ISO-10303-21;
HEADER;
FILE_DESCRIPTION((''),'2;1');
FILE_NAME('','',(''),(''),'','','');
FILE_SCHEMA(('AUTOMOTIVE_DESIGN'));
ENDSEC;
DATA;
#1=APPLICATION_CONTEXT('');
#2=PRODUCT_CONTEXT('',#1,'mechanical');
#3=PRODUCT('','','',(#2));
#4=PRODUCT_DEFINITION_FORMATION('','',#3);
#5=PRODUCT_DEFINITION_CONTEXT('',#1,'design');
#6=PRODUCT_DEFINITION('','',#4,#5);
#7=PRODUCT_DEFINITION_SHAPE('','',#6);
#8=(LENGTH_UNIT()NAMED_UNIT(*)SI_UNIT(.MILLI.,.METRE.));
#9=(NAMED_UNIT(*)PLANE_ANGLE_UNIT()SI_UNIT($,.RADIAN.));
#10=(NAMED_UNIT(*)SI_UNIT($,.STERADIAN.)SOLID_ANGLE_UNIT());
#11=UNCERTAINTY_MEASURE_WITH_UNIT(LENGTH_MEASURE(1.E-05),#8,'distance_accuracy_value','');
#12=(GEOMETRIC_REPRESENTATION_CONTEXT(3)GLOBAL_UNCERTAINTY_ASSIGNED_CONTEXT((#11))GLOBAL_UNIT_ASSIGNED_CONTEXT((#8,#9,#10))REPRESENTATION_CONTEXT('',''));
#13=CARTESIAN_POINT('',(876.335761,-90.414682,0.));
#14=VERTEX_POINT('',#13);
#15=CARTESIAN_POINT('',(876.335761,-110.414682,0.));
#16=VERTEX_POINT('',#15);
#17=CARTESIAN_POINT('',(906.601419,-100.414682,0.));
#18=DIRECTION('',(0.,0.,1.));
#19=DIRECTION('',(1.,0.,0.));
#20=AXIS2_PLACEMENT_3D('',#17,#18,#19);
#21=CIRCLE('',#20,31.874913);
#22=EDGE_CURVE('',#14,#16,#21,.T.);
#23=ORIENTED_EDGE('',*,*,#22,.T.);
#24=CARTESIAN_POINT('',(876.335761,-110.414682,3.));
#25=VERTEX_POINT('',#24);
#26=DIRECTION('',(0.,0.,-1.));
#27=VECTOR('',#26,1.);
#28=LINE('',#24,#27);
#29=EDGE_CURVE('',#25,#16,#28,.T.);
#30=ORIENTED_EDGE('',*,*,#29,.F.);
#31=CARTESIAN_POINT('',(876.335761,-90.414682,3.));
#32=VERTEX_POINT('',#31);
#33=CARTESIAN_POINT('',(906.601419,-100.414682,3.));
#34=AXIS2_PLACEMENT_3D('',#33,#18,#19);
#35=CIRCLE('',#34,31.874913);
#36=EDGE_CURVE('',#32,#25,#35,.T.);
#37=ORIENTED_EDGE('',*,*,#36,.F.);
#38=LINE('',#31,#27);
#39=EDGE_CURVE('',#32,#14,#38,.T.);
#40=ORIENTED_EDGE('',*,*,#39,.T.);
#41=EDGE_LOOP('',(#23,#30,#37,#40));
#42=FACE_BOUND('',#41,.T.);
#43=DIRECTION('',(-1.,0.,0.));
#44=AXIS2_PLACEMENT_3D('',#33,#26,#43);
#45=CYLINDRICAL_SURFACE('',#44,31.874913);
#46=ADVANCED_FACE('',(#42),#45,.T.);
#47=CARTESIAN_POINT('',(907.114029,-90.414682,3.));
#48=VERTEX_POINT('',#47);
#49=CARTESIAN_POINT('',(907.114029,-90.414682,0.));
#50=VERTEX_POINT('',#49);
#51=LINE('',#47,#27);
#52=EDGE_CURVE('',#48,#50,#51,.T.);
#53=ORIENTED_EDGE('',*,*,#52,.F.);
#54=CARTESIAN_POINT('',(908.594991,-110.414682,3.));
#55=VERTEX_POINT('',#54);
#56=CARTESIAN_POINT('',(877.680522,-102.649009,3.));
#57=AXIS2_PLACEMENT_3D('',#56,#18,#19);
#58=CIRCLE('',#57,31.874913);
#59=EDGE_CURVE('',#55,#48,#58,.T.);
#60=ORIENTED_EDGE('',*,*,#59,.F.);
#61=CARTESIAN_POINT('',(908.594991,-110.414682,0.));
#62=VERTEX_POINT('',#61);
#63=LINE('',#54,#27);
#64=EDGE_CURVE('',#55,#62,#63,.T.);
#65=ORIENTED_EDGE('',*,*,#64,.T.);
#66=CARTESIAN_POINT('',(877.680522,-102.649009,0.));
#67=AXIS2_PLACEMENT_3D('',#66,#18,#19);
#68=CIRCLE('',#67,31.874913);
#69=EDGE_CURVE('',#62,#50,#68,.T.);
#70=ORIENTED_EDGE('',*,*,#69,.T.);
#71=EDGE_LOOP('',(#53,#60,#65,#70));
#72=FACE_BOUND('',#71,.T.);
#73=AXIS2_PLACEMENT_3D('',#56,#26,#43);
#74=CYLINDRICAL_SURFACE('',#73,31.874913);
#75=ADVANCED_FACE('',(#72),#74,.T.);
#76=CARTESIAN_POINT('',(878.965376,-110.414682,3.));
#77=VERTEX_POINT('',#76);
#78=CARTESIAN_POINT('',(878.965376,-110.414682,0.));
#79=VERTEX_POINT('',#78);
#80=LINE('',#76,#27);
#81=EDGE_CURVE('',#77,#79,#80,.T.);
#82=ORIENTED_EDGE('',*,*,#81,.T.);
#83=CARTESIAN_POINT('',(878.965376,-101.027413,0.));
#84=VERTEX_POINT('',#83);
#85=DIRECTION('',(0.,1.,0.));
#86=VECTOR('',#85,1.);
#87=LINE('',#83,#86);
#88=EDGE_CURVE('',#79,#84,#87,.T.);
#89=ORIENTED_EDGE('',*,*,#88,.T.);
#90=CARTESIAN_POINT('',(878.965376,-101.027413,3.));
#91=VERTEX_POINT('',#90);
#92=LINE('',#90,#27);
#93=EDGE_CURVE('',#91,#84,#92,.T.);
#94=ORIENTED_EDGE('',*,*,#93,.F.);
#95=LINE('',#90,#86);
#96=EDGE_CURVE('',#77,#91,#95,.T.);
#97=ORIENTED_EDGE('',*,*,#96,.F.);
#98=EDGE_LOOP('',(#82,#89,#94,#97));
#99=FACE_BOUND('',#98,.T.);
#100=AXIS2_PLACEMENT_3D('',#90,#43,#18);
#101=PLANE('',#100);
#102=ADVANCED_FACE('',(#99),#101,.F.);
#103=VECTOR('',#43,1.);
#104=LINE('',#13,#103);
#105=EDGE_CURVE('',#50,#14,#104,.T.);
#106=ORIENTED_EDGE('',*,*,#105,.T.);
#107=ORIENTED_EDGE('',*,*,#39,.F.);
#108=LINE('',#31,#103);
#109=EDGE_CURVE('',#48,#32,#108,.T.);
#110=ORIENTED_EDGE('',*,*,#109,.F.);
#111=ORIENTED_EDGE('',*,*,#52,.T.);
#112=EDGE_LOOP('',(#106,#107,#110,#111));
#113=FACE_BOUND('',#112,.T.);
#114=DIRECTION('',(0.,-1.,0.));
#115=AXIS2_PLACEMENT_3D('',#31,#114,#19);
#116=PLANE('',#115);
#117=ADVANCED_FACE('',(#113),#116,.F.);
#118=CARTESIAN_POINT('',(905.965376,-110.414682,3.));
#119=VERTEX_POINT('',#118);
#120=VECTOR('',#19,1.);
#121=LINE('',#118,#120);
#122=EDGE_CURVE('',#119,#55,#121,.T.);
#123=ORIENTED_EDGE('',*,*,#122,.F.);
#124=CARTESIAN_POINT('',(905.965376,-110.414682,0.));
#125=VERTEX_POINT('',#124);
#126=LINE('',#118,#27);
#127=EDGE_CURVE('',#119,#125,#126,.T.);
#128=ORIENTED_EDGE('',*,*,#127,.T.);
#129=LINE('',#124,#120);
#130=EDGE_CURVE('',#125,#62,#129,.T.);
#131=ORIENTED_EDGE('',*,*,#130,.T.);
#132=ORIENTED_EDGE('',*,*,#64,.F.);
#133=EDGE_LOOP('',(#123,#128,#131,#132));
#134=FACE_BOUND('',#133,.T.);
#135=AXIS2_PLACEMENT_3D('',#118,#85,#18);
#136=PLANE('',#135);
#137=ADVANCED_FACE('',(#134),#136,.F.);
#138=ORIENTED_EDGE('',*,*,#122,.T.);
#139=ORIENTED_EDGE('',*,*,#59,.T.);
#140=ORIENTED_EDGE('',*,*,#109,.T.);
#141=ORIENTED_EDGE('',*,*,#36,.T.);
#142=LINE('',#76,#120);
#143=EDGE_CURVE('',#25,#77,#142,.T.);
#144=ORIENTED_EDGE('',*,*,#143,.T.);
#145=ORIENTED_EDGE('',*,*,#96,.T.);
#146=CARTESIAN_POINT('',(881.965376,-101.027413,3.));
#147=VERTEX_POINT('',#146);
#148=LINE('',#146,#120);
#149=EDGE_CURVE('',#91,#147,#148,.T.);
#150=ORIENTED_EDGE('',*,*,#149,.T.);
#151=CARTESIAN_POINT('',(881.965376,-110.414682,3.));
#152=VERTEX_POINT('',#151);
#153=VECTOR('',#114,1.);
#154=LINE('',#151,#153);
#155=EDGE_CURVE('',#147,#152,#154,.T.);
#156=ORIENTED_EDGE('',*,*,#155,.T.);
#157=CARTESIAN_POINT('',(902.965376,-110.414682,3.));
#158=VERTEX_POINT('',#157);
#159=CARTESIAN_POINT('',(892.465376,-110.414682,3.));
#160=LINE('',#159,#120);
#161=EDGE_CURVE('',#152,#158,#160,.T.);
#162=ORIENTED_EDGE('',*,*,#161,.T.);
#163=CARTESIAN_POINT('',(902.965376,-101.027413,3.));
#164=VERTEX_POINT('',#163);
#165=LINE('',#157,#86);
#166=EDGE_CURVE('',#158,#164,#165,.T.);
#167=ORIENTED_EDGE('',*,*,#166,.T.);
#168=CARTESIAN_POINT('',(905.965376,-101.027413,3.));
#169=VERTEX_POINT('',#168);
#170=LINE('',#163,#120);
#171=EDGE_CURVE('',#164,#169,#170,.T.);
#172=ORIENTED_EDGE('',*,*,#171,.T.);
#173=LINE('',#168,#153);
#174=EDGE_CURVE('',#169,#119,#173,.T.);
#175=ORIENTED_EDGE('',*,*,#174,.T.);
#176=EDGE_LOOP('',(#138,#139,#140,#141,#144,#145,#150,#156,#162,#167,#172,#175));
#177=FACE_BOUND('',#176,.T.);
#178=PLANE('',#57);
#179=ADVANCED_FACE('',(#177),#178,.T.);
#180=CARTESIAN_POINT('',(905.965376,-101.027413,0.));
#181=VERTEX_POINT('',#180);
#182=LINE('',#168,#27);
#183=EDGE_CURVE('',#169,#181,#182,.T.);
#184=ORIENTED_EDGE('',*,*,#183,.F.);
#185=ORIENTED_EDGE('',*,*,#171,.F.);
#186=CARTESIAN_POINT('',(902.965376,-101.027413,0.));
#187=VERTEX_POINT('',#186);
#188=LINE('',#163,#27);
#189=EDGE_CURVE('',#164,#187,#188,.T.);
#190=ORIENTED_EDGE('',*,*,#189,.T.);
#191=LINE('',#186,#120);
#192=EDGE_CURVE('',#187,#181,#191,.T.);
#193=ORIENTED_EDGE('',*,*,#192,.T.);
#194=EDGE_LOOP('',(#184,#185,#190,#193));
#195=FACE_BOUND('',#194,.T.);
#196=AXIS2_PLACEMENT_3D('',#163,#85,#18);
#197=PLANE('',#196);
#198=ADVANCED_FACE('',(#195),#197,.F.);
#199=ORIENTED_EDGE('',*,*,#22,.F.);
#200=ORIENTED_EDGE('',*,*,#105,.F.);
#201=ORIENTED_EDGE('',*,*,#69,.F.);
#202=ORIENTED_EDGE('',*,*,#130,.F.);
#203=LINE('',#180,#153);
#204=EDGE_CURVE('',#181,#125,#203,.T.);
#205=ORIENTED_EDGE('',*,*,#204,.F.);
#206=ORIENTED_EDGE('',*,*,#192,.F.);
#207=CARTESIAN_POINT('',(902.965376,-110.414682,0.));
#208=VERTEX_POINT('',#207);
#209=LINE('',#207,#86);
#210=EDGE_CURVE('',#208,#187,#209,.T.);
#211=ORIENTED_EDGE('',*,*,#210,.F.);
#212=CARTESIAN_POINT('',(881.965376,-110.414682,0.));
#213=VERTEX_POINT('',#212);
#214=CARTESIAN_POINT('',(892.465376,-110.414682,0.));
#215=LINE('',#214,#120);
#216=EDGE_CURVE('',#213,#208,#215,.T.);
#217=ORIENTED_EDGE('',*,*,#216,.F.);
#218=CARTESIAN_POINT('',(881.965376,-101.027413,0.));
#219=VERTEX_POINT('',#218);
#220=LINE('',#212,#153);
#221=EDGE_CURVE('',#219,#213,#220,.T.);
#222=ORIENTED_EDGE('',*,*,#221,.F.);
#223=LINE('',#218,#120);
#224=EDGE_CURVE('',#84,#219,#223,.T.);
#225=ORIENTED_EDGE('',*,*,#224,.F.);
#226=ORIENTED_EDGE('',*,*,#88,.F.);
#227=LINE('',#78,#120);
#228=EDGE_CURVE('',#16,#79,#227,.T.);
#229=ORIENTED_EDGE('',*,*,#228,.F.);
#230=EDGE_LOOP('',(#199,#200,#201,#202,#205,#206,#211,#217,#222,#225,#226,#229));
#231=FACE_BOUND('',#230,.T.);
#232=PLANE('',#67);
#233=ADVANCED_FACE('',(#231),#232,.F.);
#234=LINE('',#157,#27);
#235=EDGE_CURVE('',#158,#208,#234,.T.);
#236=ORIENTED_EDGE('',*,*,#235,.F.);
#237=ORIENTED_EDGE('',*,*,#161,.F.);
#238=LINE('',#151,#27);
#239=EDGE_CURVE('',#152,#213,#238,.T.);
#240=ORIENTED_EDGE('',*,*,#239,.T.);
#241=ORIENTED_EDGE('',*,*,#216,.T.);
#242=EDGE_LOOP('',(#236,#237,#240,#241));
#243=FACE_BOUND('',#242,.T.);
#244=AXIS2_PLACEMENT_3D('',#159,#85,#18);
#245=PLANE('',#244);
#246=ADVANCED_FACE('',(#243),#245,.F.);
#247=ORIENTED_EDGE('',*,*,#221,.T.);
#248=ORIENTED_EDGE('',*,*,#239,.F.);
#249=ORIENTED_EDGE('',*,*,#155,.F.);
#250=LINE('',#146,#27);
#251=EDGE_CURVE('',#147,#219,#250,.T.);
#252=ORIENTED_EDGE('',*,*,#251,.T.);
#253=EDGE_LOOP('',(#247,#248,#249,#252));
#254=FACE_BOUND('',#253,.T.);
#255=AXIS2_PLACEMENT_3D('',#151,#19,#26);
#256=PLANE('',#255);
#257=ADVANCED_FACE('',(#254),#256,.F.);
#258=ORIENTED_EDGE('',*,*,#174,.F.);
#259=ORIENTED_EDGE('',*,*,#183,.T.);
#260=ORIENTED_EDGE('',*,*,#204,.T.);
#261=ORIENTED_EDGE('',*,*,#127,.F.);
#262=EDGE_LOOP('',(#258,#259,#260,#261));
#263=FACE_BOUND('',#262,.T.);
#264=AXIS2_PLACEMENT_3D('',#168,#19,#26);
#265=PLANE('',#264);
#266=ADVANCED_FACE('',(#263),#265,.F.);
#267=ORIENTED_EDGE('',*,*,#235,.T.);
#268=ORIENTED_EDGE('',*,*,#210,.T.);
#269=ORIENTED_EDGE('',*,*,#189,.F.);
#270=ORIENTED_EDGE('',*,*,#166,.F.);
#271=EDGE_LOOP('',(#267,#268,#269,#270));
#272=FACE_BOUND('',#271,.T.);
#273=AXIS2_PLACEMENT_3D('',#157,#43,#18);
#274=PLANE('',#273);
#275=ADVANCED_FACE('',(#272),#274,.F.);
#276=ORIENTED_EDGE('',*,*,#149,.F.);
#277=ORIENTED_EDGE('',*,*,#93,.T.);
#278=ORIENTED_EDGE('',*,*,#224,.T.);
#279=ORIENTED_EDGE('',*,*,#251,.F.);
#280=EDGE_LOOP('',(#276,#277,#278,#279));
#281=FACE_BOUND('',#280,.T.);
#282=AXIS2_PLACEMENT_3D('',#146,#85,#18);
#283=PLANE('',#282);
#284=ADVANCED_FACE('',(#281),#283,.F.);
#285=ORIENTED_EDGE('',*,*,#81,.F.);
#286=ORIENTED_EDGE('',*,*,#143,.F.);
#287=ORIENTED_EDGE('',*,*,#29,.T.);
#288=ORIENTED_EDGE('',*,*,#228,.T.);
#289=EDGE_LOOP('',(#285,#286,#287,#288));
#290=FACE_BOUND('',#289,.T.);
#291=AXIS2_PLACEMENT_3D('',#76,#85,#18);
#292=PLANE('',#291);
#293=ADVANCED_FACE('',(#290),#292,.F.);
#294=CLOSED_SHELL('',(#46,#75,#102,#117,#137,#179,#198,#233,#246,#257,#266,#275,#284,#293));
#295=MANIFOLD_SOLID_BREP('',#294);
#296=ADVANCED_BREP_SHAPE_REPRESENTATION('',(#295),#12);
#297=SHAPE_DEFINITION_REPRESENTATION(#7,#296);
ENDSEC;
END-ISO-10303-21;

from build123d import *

# Parameters (mm, degrees)
BASE_EXTRUDE_DEPTH = 3


with BuildPart() as part:
    # Sketch1 → Base-Extrude (new body)
    with BuildSketch(Plane.XY):
        with BuildLine():
            Line((905.965375708, -110.41468189), (908.594990659, -110.41468189))
            ThreePointArc((908.594990659, -110.41468189), (909.468405337, -100.295175968), (907.11402855, -90.41468189))
            Line((907.11402855, -90.41468189), (876.335760757, -90.41468189))
            ThreePointArc((876.335760757, -90.41468189), (874.726506158, -100.41468189), (876.335760757, -110.41468189))
            Line((876.335760757, -110.41468189), (878.965375708, -110.41468189))
            Line((878.965375708, -110.41468189), (878.965375708, -101.027413417))
            Line((878.965375708, -101.027413417), (881.965375708, -101.027413417))
            Line((881.965375708, -101.027413417), (881.965375708, -110.41468189))
            Line((881.965375708, -110.41468189), (892.465375708, -110.41468189))
            Line((892.465375708, -110.41468189), (902.965375708, -110.41468189))
            Line((902.965375708, -110.41468189), (902.965375708, -101.027413417))
            Line((902.965375708, -101.027413417), (905.965375708, -101.027413417))
            Line((905.965375708, -101.027413417), (905.965375708, -110.41468189))
        make_face()
    extrude(amount=BASE_EXTRUDE_DEPTH)


solid = part.part
